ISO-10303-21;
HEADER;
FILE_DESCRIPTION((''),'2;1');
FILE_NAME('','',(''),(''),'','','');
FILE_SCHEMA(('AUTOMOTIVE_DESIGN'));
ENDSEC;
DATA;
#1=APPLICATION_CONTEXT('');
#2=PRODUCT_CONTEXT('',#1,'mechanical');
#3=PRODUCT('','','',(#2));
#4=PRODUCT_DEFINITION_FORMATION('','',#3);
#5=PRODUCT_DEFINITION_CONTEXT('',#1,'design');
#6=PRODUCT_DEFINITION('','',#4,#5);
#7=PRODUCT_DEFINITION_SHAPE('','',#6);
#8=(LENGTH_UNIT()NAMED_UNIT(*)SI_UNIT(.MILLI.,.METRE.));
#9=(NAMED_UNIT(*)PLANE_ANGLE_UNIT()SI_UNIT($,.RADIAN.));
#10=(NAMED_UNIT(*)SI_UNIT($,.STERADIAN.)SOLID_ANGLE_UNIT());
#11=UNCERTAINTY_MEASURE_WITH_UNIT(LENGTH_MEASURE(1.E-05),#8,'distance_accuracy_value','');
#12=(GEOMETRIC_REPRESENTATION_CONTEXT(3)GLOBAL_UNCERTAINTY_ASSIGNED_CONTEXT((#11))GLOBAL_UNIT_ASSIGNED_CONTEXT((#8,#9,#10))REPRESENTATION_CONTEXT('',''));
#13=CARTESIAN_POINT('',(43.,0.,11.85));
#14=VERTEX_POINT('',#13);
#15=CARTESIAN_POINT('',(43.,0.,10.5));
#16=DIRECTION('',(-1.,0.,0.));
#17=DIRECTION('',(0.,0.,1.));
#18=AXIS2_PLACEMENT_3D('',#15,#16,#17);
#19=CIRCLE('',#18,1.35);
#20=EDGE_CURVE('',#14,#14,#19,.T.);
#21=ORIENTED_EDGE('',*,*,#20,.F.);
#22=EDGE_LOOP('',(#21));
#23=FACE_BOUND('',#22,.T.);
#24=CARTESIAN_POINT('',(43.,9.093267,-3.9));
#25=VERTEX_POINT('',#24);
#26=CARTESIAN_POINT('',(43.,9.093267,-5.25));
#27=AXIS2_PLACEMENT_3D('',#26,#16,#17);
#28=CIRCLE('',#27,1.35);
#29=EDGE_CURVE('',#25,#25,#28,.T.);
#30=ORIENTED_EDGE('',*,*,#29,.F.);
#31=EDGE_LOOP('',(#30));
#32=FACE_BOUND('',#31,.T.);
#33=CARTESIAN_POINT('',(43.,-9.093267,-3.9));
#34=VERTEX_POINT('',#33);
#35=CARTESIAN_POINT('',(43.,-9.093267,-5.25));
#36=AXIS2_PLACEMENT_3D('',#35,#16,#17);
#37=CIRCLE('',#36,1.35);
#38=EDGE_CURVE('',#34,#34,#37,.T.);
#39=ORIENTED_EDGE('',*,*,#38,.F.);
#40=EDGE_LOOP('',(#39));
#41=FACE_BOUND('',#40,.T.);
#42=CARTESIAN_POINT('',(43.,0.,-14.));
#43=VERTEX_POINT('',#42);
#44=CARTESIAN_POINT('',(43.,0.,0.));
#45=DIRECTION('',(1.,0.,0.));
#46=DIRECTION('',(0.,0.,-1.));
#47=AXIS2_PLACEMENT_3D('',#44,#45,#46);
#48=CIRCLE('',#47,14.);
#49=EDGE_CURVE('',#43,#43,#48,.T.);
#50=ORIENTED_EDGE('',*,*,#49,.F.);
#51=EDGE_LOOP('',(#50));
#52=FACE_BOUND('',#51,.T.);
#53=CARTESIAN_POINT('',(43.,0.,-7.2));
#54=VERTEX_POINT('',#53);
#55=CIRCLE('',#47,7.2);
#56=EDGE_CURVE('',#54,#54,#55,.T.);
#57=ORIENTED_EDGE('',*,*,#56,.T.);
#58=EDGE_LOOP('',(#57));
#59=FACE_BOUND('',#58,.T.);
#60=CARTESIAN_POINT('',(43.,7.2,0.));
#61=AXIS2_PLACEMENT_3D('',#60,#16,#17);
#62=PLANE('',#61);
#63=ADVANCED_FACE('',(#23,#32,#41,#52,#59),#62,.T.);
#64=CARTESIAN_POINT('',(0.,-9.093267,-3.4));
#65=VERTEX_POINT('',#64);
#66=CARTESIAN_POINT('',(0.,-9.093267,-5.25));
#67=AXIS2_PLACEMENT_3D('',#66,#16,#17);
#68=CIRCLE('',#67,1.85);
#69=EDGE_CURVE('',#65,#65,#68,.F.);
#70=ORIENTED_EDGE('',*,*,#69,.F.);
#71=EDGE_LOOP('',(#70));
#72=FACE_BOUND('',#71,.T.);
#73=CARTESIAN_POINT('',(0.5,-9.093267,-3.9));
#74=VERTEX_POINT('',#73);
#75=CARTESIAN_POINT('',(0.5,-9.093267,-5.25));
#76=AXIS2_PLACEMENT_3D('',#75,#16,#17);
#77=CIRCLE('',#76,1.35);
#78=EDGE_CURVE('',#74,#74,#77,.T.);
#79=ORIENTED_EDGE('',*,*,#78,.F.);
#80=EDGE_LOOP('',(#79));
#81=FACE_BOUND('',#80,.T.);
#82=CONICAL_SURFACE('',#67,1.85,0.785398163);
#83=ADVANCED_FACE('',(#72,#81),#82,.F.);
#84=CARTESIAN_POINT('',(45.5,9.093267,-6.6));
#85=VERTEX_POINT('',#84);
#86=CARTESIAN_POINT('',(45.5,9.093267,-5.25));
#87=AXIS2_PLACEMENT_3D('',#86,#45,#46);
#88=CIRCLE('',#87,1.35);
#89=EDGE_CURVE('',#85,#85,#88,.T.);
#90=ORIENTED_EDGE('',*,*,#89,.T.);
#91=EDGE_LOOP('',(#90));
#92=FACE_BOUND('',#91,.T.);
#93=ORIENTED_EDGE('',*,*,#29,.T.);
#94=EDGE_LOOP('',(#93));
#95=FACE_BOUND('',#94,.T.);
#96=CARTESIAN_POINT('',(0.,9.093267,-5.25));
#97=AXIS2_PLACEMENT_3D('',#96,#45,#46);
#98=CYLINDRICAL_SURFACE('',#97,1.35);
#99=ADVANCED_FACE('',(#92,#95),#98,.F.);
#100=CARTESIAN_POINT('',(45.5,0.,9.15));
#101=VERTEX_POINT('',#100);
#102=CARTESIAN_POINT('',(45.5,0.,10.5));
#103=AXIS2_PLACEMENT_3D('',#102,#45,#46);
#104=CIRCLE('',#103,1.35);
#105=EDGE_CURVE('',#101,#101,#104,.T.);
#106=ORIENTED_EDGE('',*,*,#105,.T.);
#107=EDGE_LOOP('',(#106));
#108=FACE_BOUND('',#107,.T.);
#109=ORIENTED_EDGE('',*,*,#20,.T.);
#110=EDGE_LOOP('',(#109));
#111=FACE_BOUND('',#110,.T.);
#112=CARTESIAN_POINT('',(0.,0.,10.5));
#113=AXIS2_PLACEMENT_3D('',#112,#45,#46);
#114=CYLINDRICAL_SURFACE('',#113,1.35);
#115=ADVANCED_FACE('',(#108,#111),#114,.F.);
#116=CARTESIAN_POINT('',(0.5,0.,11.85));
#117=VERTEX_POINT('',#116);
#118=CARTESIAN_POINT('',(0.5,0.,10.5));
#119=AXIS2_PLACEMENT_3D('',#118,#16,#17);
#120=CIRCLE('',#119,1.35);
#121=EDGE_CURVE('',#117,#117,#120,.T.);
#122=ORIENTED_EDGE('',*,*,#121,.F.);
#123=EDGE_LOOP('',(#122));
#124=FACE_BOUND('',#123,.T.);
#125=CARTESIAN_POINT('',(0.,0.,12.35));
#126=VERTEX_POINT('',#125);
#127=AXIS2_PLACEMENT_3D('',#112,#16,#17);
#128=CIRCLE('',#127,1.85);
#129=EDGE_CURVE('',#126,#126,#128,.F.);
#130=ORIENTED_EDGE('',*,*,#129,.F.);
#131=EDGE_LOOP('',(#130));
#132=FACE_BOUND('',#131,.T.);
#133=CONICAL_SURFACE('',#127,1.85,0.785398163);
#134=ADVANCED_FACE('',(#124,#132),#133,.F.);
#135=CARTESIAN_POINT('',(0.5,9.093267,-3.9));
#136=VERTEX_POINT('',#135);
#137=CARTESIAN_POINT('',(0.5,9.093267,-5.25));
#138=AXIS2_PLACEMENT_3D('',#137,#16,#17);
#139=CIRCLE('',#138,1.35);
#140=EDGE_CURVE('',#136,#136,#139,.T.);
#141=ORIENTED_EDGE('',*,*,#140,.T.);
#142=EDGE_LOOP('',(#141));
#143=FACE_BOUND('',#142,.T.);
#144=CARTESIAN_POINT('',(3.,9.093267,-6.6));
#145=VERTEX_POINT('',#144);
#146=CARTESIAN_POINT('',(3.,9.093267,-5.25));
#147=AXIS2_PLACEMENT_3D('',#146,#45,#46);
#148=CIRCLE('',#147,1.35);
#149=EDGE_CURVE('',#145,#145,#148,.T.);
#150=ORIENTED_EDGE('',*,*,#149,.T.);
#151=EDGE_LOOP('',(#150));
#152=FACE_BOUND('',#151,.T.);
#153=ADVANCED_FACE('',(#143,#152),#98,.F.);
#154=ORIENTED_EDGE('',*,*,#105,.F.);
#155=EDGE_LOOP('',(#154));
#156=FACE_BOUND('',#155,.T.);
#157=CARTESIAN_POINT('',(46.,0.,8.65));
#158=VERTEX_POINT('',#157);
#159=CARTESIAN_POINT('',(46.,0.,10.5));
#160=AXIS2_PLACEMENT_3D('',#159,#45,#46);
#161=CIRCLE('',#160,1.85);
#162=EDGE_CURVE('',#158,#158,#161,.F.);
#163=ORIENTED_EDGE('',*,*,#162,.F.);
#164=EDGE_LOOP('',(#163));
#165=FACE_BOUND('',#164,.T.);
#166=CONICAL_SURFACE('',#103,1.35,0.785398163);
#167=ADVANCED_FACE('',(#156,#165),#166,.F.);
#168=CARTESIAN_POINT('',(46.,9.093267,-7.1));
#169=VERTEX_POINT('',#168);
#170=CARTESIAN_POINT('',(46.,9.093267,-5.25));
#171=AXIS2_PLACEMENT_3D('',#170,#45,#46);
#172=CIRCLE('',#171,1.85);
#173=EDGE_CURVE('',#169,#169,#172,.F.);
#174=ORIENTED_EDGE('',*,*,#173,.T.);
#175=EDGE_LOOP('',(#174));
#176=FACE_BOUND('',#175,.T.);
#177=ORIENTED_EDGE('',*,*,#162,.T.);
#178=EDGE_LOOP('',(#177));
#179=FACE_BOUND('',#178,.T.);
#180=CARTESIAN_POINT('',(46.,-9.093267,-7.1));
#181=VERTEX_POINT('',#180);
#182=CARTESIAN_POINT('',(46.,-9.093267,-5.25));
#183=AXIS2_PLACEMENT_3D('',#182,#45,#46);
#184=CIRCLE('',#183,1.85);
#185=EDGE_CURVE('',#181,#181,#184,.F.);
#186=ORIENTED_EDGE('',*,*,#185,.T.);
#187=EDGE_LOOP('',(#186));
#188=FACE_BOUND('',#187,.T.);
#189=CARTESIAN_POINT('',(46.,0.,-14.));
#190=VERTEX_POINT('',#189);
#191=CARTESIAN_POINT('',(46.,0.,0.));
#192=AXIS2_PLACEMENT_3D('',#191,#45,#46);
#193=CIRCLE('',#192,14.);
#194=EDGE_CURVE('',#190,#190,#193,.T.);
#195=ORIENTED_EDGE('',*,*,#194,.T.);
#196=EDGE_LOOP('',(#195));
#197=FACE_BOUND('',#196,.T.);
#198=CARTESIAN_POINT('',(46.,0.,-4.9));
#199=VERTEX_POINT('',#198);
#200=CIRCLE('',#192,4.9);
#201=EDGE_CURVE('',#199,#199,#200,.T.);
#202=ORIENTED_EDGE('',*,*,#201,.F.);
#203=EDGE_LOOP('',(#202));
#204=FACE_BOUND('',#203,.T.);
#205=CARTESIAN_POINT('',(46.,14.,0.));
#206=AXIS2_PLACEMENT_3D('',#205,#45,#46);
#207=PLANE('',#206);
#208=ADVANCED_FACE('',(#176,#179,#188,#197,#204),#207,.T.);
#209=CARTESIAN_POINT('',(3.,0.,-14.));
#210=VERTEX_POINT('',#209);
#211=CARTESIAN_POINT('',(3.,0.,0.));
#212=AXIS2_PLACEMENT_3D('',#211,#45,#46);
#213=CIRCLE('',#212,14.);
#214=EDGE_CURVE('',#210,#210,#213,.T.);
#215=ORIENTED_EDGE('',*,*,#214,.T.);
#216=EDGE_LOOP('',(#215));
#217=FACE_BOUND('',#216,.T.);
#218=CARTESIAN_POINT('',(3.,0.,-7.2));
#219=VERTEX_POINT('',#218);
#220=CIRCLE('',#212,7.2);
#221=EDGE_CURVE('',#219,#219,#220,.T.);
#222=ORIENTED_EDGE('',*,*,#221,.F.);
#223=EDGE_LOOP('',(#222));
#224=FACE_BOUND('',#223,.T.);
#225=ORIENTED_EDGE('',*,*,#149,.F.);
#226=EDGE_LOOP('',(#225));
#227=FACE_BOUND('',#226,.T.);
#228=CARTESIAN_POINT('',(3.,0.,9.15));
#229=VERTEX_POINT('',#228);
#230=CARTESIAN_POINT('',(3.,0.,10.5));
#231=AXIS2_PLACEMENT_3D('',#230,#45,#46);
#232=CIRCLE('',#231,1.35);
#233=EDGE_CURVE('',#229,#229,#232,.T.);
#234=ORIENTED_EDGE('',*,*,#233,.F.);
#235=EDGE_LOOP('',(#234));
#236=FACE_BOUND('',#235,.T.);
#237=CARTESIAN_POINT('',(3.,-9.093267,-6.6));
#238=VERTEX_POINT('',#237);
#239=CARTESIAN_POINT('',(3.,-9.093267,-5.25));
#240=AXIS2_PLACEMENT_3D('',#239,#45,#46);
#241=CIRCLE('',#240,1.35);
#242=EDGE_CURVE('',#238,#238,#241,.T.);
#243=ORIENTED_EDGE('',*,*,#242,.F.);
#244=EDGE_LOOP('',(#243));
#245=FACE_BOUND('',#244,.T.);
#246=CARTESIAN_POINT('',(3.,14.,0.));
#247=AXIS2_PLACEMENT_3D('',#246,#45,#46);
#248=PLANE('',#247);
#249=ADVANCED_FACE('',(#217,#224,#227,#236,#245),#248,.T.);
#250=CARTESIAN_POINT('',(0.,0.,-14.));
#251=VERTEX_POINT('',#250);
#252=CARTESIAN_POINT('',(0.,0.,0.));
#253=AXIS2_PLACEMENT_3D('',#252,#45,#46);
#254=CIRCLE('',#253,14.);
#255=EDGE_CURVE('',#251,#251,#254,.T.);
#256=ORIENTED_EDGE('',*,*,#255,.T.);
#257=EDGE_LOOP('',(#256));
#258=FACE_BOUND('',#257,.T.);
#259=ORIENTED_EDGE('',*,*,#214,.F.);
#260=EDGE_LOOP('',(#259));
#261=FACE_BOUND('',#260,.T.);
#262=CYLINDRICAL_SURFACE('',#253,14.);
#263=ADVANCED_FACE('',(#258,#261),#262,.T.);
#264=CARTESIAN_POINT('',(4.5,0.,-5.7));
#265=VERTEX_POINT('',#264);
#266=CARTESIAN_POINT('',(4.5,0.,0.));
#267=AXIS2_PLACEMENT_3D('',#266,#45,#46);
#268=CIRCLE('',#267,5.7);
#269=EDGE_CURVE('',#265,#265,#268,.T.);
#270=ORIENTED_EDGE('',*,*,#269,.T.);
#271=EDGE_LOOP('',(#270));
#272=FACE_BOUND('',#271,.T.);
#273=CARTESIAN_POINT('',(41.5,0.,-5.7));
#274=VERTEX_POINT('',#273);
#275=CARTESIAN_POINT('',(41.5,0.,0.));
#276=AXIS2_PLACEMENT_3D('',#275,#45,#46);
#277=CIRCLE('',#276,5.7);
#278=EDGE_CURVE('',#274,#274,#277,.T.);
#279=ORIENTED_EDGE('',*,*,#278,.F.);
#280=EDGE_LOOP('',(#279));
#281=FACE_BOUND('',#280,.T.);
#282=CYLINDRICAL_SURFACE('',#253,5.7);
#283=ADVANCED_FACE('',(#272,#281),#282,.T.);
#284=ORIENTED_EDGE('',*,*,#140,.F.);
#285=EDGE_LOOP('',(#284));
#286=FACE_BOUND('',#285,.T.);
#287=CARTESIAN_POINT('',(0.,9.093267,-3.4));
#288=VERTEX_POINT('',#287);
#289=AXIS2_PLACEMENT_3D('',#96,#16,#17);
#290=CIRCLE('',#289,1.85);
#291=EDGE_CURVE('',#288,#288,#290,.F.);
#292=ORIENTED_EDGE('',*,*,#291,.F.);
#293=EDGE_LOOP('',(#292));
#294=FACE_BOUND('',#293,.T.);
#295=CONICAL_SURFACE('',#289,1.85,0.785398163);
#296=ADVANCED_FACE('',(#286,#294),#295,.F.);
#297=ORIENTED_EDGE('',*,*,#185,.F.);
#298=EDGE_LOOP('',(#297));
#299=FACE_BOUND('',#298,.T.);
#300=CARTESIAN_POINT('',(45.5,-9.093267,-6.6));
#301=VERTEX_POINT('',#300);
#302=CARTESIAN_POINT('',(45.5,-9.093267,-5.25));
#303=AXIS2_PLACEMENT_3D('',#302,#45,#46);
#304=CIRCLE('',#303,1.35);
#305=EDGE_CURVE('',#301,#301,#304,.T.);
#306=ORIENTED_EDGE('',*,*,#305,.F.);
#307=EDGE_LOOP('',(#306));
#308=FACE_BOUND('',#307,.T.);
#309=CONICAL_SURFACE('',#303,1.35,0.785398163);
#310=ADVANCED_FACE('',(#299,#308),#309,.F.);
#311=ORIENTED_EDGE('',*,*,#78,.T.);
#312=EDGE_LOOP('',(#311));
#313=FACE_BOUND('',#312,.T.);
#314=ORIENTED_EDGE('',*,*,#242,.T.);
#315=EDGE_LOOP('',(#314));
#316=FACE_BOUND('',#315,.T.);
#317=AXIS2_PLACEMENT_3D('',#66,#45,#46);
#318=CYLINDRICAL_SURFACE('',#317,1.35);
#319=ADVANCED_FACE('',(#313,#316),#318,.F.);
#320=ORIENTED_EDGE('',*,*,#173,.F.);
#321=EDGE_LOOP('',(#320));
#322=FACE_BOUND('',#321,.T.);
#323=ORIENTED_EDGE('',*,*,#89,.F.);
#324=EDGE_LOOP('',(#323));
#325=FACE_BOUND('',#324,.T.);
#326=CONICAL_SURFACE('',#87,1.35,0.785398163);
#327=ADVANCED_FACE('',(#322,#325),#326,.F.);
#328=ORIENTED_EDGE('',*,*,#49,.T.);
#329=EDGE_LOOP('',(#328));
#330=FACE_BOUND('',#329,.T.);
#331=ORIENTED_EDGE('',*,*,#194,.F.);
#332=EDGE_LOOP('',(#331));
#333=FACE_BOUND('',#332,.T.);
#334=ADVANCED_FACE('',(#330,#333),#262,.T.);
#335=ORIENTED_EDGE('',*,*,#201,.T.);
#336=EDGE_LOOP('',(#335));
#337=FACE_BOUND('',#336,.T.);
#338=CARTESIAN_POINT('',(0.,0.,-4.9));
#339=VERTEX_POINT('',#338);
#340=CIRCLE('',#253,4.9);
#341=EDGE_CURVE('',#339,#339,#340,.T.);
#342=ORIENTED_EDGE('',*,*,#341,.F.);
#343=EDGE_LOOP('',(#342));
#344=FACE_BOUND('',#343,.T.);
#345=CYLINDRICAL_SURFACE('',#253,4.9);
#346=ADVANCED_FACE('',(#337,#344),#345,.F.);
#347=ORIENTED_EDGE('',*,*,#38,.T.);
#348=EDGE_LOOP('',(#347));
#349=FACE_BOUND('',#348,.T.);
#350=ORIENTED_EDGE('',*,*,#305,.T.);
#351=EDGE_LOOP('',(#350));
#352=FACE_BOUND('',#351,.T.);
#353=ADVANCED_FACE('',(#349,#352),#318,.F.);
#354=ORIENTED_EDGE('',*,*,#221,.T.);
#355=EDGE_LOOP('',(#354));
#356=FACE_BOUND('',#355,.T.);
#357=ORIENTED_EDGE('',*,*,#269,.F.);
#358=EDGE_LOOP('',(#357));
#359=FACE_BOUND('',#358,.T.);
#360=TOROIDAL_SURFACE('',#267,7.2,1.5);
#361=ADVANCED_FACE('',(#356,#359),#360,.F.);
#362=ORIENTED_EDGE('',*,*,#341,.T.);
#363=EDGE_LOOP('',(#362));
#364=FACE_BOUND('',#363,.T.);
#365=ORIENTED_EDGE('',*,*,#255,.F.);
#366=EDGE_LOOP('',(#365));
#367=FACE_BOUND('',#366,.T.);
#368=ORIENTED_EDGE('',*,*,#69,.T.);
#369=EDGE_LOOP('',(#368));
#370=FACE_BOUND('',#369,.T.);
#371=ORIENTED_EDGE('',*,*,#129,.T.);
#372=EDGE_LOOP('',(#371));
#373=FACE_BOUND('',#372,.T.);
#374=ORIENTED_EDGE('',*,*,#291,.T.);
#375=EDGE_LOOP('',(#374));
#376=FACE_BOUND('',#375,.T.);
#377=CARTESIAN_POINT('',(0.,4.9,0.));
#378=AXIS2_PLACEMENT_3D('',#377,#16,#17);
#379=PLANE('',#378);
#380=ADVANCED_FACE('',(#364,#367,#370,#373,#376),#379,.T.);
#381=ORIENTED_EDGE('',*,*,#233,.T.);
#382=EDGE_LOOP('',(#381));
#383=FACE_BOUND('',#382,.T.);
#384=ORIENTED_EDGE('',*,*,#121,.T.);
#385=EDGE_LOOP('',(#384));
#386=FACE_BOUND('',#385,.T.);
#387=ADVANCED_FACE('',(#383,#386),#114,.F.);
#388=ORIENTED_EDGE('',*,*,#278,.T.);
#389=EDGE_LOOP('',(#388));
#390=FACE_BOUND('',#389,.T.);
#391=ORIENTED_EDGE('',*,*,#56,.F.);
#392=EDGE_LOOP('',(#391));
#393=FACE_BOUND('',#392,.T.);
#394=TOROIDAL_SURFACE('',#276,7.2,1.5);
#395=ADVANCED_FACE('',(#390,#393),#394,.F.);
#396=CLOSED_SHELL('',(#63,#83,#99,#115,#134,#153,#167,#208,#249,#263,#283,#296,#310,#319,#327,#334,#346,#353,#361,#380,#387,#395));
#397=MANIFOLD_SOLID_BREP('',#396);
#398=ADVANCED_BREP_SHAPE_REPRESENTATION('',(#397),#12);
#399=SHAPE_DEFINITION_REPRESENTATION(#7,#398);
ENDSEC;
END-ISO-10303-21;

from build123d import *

# Parameters (mm, degrees)
SKETCH3_R          = 1.35
CUT_EXTRUDE1_DEPTH = 51.079936102
CHAMFER1_SIZE      = 0.5


with BuildPart() as part:
    # Sketch1 → Revolve1 (revolve)
    with BuildSketch(Plane.XY, mode=Mode.PRIVATE) as revolve1_sk:
        with BuildLine():
            Line((0, 4.9), (0, 14))
            Line((0, 14), (3, 14))
            Line((3, 14), (3, 7.2))
            ThreePointArc((3, 7.2), (3.439339828, 6.139339828), (4.5, 5.7))
            Line((4.5, 5.7), (41.5, 5.7))
            ThreePointArc((41.5, 5.7), (42.560660172, 6.139339828), (43, 7.2))
            Line((43, 7.2), (43, 14))
            Line((43, 14), (46, 14))
            Line((46, 14), (46, 4.9))
            Line((46, 4.9), (43, 4.9))
            Line((43, 4.9), (3, 4.9))
            Line((3, 4.9), (0, 4.9))
        make_face()
    revolve(revolve1_sk.sketch.rotate(Axis((0, 0, 0), (-1, 0, 0)), 90), axis=Axis((0, 0, 0), (-1, 0, 0)))

    # Sketch3 → Cut-Extrude1 (cut, through all)
    with BuildSketch(Plane(origin=(46, 0, 0), x_dir=(0, 0, -1), z_dir=(1, 0, 0))):
        with Locations((-10.5, 0)):
            Circle(SKETCH3_R)
        with Locations((5.25, 9.09326674)):
            Circle(SKETCH3_R)
        with Locations((5.25, -9.09326674)):
            Circle(SKETCH3_R)
    extrude(amount=-CUT_EXTRUDE1_DEPTH, mode=Mode.SUBTRACT)

    # Chamfer1
    chamfer1_edges = [part.edges().sort_by_distance(p)[0] for p in [
        (0, 0, 11.85),
        (46, 0, 11.85),
        (0, 9.09326674, -3.9),
        (46, 9.09326674, -3.9),
        (0, -9.09326674, -3.9),
        (46, -9.09326674, -3.9),
    ]]
    chamfer(chamfer1_edges, length=CHAMFER1_SIZE)


solid = part.part
